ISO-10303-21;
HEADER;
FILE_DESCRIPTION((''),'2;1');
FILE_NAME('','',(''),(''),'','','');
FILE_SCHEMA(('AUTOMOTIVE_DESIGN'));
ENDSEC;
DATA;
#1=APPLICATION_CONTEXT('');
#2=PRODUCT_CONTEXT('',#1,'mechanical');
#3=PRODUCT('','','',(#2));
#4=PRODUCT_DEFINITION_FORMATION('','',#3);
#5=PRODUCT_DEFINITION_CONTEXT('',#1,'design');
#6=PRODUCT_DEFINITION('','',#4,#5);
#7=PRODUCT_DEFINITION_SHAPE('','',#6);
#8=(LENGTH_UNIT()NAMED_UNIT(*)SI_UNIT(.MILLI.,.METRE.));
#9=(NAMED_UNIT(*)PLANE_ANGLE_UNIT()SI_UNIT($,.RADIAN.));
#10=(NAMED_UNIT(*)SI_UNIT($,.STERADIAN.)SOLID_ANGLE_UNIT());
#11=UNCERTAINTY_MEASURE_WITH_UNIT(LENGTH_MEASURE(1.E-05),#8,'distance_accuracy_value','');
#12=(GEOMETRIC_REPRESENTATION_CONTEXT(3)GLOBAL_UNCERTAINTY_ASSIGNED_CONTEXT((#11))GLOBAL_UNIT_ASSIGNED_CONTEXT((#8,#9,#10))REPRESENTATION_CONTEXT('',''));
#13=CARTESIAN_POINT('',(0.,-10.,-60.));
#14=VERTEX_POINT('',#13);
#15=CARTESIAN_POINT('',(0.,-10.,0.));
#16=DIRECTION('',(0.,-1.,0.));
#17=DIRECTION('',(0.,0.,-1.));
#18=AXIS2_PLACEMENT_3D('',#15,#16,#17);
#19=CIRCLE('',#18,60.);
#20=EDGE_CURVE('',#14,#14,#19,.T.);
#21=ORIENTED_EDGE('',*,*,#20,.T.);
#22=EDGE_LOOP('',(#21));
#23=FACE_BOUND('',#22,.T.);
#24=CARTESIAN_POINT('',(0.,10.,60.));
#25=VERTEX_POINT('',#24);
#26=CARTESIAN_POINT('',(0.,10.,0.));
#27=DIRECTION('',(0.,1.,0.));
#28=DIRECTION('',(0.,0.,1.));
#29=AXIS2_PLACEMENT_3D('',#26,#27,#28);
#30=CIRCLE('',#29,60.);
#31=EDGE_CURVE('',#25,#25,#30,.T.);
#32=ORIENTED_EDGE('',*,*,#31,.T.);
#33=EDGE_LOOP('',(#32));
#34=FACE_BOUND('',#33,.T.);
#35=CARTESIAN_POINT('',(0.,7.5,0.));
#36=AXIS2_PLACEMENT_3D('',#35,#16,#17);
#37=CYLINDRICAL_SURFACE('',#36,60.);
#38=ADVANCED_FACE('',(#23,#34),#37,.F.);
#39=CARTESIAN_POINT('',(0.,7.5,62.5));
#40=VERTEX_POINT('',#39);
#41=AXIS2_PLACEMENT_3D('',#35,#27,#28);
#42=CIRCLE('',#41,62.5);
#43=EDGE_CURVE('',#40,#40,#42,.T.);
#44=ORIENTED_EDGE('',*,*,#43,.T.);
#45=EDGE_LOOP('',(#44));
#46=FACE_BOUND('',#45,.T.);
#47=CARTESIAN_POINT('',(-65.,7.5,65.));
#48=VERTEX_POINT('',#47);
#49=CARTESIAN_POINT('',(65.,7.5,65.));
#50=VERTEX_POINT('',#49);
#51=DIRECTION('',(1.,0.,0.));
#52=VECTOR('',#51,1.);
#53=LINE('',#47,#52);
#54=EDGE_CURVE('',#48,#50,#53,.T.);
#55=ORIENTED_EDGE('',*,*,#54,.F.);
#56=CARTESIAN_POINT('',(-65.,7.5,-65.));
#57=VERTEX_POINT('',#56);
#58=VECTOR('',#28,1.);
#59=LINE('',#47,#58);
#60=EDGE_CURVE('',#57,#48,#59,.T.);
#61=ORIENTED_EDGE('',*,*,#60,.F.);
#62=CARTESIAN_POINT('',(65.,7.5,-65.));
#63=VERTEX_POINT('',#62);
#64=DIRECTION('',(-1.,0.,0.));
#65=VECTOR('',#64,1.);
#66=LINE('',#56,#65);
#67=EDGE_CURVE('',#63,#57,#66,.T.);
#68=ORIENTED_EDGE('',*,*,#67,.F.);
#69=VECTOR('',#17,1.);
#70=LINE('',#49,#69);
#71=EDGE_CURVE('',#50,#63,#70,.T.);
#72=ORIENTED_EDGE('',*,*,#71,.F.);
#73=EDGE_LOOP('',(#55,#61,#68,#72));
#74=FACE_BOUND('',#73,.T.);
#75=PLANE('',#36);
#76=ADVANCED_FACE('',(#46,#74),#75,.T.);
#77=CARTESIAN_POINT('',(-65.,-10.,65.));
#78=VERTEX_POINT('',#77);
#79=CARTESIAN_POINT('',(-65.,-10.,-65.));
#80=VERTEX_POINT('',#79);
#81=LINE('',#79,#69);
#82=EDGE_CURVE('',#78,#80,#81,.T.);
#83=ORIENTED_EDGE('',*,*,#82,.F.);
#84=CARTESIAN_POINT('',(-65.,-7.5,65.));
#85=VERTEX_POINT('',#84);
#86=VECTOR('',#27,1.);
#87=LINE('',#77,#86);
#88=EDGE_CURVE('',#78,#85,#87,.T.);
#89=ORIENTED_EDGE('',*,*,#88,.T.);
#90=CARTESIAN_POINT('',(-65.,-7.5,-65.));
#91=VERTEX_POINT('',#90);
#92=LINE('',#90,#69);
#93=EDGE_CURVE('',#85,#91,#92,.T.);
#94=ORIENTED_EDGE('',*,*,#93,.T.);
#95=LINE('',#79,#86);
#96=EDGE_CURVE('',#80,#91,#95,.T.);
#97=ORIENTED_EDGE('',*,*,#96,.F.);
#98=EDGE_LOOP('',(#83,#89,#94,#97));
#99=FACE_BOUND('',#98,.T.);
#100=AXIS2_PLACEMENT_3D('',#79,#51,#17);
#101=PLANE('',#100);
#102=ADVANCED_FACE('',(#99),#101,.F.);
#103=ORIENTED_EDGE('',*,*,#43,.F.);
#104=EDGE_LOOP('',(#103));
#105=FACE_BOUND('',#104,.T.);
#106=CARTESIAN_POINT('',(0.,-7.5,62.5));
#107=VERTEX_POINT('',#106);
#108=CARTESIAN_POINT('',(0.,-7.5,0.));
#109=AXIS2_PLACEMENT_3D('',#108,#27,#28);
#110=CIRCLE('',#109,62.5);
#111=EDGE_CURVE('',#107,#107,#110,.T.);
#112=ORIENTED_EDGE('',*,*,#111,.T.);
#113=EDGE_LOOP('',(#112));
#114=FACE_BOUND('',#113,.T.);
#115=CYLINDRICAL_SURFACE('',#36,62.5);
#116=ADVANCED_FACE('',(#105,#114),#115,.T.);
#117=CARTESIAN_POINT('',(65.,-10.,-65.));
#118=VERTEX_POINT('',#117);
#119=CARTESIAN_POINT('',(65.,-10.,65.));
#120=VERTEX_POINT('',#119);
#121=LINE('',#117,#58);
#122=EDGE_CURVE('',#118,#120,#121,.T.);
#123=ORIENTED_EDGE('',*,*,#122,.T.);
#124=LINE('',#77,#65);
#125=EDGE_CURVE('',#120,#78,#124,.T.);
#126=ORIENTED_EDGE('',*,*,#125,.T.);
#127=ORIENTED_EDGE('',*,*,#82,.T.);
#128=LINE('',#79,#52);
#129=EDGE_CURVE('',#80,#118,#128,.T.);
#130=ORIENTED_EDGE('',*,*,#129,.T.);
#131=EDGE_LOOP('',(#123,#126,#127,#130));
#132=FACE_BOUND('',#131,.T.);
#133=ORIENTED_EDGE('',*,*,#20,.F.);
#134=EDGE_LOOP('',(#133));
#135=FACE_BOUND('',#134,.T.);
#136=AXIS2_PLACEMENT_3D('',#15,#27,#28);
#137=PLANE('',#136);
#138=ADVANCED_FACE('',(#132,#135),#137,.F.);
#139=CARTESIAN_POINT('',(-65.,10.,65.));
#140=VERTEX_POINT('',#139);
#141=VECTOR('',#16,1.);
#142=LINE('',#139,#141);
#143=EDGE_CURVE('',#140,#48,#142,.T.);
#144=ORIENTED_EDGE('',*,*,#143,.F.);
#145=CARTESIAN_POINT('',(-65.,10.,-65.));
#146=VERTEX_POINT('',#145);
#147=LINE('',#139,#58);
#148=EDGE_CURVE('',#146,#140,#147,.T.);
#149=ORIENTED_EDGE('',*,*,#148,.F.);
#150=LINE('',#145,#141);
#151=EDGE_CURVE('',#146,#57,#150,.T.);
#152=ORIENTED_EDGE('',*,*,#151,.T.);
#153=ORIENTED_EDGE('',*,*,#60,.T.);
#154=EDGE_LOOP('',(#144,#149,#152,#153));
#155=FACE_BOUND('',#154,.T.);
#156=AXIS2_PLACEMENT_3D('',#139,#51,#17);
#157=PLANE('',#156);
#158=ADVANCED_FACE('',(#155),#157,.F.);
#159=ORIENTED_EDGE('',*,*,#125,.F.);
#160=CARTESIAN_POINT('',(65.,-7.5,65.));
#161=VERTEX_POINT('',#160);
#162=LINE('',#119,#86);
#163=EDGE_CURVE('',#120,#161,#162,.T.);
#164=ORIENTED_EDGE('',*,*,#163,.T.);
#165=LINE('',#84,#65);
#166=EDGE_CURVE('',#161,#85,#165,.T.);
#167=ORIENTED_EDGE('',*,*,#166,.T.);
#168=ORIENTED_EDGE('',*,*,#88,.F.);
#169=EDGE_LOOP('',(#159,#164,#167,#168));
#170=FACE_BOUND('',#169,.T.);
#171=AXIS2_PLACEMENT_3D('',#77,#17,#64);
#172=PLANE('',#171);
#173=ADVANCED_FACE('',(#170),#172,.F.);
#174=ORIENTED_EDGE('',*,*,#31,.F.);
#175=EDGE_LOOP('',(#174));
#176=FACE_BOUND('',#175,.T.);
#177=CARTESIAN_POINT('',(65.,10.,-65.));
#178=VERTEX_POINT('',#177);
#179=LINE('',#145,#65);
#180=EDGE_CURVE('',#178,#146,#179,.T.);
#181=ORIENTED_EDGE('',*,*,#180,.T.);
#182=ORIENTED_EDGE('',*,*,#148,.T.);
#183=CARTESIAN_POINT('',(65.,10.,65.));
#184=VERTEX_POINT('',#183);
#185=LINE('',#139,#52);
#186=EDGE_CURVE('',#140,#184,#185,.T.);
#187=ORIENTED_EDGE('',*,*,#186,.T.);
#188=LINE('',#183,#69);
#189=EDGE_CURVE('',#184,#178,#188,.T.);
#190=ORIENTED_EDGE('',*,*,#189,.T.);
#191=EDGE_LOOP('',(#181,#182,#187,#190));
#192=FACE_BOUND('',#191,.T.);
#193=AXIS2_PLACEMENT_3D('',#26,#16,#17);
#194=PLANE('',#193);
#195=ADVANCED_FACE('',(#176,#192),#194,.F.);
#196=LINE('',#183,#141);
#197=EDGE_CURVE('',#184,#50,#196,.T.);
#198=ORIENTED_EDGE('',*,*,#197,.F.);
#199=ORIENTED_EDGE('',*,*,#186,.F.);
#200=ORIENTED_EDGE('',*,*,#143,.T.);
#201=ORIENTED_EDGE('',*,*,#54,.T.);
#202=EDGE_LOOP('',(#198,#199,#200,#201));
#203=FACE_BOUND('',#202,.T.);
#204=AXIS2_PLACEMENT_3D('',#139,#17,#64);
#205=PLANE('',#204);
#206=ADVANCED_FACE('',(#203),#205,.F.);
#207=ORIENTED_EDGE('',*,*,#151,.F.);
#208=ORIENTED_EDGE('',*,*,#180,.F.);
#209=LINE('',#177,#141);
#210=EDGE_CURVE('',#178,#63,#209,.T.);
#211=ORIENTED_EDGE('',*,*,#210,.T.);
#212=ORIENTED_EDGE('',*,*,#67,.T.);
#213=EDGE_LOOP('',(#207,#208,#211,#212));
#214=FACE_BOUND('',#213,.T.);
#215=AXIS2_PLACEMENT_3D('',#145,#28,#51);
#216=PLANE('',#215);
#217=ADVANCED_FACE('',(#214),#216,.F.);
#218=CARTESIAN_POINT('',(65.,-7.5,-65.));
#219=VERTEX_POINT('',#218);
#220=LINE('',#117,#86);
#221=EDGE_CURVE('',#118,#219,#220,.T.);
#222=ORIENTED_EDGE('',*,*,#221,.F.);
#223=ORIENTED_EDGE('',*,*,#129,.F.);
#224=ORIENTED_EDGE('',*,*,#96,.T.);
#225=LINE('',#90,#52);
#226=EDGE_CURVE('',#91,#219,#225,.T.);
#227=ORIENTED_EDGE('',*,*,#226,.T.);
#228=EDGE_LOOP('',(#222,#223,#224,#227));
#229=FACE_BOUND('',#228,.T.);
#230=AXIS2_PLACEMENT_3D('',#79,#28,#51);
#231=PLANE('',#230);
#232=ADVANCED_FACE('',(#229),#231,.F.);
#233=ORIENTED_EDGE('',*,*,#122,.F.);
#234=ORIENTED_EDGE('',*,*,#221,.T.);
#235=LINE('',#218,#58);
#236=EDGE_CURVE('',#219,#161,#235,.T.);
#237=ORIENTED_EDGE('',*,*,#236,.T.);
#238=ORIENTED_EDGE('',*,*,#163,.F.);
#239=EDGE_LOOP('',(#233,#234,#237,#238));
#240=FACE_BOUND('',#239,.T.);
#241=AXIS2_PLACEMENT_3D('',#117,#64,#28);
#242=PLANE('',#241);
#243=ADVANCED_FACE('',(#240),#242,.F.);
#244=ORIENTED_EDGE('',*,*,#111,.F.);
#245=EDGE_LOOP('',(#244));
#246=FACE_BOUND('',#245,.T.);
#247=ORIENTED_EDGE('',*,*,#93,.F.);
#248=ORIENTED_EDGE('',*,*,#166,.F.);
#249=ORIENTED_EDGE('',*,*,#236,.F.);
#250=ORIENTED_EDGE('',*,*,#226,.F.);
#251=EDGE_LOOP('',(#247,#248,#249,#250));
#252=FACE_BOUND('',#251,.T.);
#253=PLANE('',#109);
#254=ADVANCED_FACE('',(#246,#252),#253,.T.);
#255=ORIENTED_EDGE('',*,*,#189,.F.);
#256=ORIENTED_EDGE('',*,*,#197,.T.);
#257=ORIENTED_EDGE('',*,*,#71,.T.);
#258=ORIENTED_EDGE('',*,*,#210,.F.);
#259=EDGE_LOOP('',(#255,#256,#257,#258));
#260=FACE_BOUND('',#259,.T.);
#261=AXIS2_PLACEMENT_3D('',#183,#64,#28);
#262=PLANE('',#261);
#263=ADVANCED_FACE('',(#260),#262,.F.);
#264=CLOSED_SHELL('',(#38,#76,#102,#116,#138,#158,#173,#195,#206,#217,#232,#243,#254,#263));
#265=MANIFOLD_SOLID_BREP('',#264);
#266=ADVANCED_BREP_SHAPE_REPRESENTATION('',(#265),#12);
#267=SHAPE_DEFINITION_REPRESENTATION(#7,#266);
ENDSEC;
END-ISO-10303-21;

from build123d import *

# Parameters (mm, degrees)
SKETCH1_R           = 62.5
SKETCH1_R_2         = 60
BOSS_EXTRUDE1_DEPTH = 7.5
SKETCH3_W           = 130
SKETCH3_H           = 130
SKETCH3_R           = 60
BOSS_EXTRUDE2_DEPTH = 2.5
SKETCH4_W           = 130
SKETCH4_H           = 130
SKETCH4_R           = 60
BOSS_EXTRUDE3_DEPTH = 2.5


with BuildPart() as part:
    # Sketch1 → Boss-Extrude1 (new body, symmetric)
    with BuildSketch(Plane(origin=(0, 0, 0), x_dir=(1, 0, 0), z_dir=(0, 1, 0))):
        Circle(SKETCH1_R)
        Circle(SKETCH1_R_2, mode=Mode.SUBTRACT)
    extrude(amount=BOSS_EXTRUDE1_DEPTH, both=True)

    # Sketch3 → Boss-Extrude2 (add)
    with BuildSketch(Plane(origin=(0, 7.5, 0), x_dir=(1, 0, 0), z_dir=(0, 1, 0))):
        Rectangle(SKETCH3_W, SKETCH3_H)
        Circle(SKETCH3_R, mode=Mode.SUBTRACT)
    extrude(amount=BOSS_EXTRUDE2_DEPTH)

    # Sketch4 → Boss-Extrude3 (add)
    with BuildSketch(Plane.XZ.offset(7.5)):
        Rectangle(SKETCH4_W, SKETCH4_H)
        Circle(SKETCH4_R, mode=Mode.SUBTRACT)
    extrude(amount=BOSS_EXTRUDE3_DEPTH)


solid = part.part
